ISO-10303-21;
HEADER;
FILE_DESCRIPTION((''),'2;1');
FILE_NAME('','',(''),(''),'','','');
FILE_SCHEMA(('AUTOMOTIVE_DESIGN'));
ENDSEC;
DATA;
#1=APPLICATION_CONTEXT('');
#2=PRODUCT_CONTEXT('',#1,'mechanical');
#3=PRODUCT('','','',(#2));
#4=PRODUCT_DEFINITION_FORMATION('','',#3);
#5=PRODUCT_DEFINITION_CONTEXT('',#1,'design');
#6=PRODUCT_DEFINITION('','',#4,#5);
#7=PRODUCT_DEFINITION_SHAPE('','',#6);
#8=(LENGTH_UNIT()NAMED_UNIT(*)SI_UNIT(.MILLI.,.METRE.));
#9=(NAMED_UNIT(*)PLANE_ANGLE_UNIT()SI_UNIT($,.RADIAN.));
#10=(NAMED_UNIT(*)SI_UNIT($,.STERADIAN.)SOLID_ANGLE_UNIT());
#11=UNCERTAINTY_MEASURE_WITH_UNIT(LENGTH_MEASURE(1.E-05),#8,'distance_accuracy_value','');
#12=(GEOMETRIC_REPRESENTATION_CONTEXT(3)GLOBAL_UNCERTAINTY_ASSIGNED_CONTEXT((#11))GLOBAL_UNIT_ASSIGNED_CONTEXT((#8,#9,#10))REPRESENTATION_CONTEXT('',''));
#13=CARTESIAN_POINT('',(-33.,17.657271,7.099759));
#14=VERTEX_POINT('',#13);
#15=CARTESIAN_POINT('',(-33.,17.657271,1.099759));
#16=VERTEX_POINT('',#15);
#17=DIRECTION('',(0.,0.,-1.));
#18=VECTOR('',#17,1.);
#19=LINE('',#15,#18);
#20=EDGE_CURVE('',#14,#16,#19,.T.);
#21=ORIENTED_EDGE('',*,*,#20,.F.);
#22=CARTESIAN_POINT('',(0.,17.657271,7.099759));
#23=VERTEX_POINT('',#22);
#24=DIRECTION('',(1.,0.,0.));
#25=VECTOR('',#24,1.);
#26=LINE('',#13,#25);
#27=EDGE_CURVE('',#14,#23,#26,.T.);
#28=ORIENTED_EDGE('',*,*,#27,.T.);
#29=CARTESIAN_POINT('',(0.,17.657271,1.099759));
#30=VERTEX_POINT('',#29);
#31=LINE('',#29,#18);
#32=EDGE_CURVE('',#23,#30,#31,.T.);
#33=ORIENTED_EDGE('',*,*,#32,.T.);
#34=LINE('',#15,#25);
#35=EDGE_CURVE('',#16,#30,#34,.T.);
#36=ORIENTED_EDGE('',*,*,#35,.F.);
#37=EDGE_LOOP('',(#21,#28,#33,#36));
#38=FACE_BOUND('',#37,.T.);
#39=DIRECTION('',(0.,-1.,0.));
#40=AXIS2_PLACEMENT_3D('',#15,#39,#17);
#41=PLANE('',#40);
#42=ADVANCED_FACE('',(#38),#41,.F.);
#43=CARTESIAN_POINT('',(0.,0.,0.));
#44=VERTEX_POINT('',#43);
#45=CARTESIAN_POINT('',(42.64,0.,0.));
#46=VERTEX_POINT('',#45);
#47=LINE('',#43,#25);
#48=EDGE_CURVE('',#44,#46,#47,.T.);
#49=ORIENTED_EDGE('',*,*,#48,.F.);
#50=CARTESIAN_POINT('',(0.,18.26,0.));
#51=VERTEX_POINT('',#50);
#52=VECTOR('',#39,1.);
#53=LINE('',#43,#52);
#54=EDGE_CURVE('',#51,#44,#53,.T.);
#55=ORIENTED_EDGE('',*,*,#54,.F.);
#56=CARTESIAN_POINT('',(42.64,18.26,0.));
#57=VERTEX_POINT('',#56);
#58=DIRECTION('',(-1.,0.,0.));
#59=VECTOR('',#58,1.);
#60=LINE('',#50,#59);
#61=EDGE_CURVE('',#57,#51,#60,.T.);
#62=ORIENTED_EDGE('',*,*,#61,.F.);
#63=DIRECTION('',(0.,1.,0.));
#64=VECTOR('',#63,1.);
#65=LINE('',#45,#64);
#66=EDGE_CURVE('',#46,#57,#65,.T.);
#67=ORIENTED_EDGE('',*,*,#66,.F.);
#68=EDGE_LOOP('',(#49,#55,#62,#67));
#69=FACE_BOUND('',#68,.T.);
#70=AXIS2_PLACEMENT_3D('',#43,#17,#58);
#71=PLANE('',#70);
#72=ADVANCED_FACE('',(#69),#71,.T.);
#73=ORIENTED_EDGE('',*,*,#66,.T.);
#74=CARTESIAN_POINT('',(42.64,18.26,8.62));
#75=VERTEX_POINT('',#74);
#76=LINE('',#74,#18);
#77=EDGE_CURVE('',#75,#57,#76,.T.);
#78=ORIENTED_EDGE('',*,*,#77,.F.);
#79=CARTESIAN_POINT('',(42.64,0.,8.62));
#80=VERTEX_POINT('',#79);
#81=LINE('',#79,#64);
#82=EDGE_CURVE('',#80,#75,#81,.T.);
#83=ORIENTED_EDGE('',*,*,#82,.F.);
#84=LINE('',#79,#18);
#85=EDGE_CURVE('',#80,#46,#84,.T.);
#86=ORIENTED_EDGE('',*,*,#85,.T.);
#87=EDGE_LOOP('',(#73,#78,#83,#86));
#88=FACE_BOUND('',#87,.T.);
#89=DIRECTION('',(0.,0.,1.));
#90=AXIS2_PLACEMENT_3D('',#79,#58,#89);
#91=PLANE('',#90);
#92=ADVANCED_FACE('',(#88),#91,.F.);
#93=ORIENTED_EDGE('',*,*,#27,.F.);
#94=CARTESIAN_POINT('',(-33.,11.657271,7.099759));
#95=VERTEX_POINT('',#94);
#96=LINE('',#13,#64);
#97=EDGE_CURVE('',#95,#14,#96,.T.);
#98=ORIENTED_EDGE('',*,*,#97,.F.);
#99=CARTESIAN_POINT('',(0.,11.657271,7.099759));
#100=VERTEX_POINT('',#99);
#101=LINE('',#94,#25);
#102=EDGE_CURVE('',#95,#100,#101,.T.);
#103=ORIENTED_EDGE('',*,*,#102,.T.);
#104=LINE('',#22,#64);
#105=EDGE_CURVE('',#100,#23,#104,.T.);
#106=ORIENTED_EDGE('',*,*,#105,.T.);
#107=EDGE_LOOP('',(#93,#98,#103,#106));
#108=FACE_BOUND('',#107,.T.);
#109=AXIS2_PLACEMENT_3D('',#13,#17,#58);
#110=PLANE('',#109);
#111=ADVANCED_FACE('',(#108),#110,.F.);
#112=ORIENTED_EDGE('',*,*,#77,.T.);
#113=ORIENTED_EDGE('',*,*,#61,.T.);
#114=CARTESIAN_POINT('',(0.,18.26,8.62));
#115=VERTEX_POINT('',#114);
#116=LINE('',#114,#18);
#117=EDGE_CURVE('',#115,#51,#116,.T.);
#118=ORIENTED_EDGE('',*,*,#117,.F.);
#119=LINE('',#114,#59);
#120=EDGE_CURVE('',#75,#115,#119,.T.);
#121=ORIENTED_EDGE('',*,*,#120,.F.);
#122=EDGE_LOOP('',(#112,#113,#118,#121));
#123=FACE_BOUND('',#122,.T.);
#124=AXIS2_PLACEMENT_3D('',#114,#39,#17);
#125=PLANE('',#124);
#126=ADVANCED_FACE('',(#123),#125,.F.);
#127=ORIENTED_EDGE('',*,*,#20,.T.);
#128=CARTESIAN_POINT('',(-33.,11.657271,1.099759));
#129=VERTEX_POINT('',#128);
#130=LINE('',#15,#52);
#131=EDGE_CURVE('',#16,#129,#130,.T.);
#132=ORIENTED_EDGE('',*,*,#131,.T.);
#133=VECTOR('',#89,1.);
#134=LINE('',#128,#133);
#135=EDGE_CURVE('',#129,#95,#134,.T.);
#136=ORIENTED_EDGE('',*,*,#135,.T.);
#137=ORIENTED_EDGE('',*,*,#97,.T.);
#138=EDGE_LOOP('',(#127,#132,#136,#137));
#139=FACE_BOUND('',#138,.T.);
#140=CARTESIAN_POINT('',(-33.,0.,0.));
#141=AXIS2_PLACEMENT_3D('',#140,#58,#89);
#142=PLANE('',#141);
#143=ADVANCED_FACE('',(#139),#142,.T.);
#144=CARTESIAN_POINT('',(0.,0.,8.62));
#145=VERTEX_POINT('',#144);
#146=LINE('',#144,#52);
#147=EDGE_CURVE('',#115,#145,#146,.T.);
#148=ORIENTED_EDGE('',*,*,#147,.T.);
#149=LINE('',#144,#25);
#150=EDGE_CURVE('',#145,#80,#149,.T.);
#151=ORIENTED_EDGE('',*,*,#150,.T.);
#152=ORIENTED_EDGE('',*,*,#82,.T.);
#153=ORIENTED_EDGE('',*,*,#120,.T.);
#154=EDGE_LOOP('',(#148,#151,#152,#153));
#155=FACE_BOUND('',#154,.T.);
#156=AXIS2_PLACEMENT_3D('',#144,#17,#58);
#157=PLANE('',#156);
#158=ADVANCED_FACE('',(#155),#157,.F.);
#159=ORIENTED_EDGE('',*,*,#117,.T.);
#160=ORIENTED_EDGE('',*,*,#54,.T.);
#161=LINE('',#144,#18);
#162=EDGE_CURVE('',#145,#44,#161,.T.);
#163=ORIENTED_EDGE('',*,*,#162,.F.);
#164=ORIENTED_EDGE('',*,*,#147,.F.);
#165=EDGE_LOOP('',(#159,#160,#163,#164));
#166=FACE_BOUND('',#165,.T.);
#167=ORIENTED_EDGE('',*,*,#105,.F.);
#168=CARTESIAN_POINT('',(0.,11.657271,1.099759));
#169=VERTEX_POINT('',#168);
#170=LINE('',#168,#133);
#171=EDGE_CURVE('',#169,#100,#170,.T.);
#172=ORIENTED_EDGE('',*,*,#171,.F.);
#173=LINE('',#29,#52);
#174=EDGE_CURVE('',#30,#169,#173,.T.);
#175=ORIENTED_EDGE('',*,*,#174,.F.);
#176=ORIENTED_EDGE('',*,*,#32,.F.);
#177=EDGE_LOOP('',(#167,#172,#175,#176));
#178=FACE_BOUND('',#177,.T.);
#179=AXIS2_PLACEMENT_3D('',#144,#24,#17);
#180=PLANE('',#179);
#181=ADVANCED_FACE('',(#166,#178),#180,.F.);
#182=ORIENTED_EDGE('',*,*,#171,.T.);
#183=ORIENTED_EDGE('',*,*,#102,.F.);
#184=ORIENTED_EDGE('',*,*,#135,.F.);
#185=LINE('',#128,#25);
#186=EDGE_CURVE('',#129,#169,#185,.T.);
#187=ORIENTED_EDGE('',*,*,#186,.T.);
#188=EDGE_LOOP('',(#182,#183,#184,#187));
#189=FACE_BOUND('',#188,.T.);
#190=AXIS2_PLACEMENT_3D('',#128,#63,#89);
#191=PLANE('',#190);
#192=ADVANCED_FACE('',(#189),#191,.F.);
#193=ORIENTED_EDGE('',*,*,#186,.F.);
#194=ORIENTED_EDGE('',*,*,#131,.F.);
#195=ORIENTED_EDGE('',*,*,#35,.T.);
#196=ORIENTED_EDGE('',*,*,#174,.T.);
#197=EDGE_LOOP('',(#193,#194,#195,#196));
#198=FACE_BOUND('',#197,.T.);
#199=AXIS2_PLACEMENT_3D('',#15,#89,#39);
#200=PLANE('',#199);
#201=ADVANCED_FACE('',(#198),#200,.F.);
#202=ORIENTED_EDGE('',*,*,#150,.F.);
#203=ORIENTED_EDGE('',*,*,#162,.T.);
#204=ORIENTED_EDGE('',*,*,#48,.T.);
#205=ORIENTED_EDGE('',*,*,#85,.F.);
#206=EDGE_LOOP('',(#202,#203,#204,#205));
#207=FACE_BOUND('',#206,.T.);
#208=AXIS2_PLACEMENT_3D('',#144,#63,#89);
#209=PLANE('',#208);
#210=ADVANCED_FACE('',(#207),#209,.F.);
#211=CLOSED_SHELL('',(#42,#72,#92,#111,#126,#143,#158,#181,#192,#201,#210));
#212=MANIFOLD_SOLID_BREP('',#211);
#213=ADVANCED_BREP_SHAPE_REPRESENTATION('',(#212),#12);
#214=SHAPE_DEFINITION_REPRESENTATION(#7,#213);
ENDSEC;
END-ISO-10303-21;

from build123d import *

# Parameters (mm, degrees)
ESQUISSE1_W        = 42.64
ESQUISSE1_H        = 18.26
BOSS_EXTRU_1_DEPTH = 8.62
ESQUISSE2_W        = 6
ESQUISSE2_H        = 6
BOSS_EXTRU_2_DEPTH = 33


with BuildPart() as part:
    # Esquisse1 → Boss.-Extru.1 (new body)
    with BuildSketch(Plane.XY):
        with Locations((21.32, 9.13)):
            Rectangle(ESQUISSE1_W, ESQUISSE1_H)
    extrude(amount=BOSS_EXTRU_1_DEPTH)

    # Esquisse2 → Boss.-Extru.2 (add)
    with BuildSketch(Plane.ZY):
        with Locations((4.099758802, 14.657271299)):
            Rectangle(ESQUISSE2_W, ESQUISSE2_H)
    extrude(amount=BOSS_EXTRU_2_DEPTH)


solid = part.part
